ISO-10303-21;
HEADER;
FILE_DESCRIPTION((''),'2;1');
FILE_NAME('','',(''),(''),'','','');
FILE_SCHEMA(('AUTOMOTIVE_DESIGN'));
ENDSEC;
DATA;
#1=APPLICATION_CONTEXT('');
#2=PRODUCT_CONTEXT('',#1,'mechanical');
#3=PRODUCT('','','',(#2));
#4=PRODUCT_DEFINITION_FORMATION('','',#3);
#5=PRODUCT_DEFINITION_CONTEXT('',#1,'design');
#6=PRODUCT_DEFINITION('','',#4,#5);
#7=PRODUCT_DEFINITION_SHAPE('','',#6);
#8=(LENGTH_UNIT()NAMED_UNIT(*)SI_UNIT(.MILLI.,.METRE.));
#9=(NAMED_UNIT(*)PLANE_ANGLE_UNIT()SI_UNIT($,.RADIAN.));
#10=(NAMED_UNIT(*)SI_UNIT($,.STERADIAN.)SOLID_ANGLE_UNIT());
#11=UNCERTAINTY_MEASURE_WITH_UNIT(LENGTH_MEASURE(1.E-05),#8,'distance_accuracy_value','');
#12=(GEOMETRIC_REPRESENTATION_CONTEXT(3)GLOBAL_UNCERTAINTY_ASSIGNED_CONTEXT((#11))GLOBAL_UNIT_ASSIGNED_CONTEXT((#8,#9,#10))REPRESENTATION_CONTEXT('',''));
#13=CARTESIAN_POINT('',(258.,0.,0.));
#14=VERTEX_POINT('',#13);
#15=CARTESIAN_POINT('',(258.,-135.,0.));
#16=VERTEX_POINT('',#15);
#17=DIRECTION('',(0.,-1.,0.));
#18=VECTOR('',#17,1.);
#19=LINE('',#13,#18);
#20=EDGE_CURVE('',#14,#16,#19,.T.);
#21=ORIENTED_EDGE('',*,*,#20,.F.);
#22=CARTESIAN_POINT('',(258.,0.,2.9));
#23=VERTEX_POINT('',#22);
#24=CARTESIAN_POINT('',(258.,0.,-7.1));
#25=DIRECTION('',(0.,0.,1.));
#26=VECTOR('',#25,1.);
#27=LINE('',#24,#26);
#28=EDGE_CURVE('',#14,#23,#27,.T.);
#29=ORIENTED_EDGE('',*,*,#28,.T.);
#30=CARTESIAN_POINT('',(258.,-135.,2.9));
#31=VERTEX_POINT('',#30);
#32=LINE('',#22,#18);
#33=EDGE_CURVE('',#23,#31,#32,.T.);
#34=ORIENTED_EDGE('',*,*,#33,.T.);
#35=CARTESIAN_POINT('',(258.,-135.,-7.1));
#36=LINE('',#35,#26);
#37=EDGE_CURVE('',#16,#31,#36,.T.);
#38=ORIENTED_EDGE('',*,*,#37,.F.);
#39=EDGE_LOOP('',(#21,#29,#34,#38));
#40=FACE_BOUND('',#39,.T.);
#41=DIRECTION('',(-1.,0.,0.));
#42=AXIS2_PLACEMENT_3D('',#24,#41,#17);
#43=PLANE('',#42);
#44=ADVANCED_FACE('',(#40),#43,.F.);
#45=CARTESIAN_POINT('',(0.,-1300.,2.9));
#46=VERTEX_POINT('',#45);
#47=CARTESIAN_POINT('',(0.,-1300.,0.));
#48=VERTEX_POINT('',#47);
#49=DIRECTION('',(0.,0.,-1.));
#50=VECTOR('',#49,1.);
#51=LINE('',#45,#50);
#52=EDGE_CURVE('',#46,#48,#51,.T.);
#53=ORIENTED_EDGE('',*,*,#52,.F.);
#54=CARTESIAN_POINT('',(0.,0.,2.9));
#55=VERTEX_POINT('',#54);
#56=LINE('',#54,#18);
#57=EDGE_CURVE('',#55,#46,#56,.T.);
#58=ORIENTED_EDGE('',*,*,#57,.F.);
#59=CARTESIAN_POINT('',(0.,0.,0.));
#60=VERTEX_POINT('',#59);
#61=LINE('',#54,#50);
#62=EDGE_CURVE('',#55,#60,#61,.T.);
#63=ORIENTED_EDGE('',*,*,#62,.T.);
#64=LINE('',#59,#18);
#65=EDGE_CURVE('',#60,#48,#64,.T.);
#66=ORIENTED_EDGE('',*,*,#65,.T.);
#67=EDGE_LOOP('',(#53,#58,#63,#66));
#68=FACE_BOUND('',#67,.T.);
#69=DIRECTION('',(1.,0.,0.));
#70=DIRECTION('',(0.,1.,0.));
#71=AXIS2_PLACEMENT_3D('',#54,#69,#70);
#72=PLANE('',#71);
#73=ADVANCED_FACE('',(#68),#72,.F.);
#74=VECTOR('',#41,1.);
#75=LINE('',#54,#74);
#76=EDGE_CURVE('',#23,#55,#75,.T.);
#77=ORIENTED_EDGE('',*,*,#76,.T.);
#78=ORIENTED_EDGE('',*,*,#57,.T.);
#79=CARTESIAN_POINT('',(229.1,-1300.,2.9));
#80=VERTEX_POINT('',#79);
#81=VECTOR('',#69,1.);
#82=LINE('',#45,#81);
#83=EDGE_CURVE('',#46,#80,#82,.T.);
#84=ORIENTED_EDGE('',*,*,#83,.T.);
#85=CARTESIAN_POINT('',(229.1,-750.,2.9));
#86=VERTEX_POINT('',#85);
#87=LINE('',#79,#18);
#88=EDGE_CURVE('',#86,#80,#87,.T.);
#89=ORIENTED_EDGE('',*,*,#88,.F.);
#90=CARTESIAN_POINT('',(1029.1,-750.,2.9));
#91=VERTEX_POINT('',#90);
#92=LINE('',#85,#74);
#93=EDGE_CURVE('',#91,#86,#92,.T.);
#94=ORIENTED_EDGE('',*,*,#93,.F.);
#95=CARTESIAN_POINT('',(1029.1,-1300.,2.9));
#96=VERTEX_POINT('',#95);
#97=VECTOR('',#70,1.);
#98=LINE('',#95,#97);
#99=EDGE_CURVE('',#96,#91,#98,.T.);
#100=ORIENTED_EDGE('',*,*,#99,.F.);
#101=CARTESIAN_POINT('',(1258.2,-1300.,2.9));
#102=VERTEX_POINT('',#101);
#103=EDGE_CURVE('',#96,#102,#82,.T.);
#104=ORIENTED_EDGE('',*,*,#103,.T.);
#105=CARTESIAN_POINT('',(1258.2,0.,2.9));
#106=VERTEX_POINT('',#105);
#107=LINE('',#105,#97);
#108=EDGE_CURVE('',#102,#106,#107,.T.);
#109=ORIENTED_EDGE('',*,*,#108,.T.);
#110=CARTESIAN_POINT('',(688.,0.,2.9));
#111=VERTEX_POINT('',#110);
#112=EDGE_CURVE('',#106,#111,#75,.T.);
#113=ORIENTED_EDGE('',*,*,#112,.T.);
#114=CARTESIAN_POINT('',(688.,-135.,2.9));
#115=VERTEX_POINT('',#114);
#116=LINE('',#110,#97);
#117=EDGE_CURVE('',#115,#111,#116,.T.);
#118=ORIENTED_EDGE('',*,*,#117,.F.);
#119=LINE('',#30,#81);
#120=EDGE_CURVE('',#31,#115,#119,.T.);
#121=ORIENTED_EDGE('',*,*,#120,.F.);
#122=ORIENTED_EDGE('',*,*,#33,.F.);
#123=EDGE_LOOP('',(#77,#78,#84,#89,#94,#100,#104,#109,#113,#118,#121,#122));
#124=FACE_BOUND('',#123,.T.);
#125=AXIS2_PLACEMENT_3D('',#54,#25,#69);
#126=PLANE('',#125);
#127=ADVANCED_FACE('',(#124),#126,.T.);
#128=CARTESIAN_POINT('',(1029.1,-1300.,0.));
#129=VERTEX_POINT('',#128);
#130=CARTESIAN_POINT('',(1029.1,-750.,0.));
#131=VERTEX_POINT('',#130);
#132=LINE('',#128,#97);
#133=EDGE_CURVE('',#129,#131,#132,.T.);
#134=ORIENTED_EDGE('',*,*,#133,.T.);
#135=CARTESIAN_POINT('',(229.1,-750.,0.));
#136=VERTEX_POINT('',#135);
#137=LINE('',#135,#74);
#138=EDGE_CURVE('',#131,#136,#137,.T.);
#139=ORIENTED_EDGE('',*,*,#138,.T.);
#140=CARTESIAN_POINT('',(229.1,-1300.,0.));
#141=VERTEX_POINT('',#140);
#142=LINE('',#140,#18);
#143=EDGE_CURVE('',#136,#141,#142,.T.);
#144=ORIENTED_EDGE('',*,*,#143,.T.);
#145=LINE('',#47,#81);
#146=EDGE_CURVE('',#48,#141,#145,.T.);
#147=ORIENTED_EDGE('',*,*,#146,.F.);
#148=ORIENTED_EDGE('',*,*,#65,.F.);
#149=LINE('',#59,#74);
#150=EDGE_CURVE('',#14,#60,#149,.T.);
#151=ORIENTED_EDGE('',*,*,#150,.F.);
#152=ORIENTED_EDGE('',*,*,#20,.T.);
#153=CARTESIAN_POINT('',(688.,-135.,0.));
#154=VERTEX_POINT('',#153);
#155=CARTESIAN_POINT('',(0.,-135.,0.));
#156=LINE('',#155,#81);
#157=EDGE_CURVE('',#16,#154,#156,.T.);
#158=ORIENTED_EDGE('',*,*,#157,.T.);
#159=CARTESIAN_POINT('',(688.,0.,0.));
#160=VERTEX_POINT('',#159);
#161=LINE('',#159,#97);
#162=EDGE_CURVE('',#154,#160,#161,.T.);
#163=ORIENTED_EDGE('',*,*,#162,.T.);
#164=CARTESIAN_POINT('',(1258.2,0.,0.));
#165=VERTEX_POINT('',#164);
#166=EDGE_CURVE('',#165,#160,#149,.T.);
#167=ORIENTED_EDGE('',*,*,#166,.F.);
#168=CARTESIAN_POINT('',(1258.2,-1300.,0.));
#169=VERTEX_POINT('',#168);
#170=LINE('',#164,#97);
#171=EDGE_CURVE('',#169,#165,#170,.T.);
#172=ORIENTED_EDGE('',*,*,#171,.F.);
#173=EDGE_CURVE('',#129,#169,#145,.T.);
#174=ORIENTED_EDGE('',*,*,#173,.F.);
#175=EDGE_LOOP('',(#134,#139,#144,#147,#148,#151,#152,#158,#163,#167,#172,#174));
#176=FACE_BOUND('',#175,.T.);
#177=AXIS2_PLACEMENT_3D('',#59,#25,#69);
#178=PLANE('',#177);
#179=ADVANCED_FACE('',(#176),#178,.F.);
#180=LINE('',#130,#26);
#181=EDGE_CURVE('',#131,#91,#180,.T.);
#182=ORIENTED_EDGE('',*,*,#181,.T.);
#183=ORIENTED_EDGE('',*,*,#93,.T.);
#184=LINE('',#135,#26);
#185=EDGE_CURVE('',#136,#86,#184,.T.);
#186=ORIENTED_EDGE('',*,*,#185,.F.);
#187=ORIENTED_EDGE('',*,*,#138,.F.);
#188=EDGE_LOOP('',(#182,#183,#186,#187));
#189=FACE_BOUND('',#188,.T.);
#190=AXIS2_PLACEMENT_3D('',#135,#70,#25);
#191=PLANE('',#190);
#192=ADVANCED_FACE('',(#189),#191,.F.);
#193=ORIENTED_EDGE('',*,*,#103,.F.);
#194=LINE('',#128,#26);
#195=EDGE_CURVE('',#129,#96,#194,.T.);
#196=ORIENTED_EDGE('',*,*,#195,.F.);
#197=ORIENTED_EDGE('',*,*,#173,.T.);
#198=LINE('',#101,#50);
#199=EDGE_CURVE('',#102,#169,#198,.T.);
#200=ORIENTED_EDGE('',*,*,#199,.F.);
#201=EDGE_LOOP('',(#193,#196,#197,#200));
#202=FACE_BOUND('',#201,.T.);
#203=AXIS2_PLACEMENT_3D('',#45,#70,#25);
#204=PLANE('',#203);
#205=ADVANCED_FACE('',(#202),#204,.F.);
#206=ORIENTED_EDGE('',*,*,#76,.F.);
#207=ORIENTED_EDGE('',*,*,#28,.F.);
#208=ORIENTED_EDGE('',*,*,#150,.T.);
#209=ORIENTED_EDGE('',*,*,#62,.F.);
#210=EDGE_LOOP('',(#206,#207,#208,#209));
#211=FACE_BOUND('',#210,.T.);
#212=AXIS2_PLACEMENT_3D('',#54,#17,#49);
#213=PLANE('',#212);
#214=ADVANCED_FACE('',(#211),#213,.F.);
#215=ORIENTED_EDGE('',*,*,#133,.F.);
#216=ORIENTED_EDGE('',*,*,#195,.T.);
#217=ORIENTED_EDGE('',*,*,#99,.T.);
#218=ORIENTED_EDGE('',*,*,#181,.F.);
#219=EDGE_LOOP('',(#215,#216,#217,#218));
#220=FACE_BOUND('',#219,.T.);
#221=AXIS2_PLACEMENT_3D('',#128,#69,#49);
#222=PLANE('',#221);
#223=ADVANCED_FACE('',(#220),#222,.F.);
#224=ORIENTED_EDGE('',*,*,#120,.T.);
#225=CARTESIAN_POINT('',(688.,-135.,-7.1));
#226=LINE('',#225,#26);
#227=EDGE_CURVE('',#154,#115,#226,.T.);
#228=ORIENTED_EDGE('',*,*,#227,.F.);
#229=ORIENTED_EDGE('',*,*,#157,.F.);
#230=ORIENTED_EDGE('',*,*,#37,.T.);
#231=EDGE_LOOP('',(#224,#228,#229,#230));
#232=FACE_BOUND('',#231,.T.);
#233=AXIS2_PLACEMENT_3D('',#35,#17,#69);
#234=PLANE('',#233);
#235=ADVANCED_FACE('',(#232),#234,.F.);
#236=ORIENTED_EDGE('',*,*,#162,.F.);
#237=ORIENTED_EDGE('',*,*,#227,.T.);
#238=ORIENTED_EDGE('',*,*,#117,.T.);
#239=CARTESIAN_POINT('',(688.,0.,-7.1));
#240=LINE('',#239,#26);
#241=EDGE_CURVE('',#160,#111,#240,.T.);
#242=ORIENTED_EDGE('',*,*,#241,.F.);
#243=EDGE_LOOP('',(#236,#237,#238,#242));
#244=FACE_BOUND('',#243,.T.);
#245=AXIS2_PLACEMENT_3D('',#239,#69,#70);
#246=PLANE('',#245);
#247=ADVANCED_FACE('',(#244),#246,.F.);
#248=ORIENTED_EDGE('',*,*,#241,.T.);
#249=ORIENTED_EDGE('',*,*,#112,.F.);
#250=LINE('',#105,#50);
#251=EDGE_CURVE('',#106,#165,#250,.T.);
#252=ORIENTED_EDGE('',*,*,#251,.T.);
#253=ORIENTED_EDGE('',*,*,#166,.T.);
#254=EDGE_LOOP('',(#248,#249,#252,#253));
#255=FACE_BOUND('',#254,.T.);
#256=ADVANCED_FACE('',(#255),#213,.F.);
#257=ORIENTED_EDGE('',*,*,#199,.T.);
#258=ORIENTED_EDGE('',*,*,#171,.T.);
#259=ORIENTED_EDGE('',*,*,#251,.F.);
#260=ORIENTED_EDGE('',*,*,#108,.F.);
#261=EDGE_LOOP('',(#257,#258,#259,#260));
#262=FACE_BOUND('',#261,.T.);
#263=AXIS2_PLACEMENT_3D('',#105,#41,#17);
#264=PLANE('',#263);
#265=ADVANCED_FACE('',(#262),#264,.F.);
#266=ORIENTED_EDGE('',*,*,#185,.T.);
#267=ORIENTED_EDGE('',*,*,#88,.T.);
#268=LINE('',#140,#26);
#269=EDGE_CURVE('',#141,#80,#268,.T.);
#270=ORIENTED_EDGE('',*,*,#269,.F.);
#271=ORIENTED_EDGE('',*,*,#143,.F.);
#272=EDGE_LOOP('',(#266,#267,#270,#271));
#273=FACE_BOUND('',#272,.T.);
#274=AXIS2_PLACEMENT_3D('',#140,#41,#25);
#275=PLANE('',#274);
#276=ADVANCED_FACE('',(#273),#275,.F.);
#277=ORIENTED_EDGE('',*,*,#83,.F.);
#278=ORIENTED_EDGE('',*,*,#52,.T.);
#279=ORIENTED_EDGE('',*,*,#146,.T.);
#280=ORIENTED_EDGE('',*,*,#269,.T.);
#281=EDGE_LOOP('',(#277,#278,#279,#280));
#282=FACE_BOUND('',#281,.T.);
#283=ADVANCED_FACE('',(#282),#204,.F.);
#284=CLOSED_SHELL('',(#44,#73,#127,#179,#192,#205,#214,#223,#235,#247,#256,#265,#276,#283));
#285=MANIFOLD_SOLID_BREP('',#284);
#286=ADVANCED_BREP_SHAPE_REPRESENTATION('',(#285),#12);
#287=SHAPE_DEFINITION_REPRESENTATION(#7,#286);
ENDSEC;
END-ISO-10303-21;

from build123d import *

# Parameters (mm, degrees)
CROQUIS1_W              = 1258.2
CROQUIS1_H              = 1300
SALIENTE_EXTRUIR1_DEPTH = 2.9
CROQUIS2_W              = 800
CROQUIS2_H              = 550
CORTAR_EXTRUIR1_DEPTH   = 2.9
CROQUIS3_W              = 430
CROQUIS3_H              = 135
CORTAR_EXTRUIR2_DEPTH   = 10


with BuildPart() as part:
    # Croquis1 → Saliente-Extruir1 (new body)
    with BuildSketch(Plane.XY):
        with Locations((629.1, -650)):
            Rectangle(CROQUIS1_W, CROQUIS1_H)
    extrude(amount=SALIENTE_EXTRUIR1_DEPTH)

    # Croquis2 → Cortar-Extruir1 (cut)
    with BuildSketch(Plane.XY.offset(2.9)):
        with Locations((629.1, -1025)):
            Rectangle(CROQUIS2_W, CROQUIS2_H)
    extrude(amount=-CORTAR_EXTRUIR1_DEPTH, mode=Mode.SUBTRACT)

    # Croquis3 → Cortar-Extruir2 (cut)
    with BuildSketch(Plane.XY.offset(2.9)):
        with Locations((473, -67.5)):
            Rectangle(CROQUIS3_W, CROQUIS3_H)
    extrude(amount=-CORTAR_EXTRUIR2_DEPTH, mode=Mode.SUBTRACT)


solid = part.part
